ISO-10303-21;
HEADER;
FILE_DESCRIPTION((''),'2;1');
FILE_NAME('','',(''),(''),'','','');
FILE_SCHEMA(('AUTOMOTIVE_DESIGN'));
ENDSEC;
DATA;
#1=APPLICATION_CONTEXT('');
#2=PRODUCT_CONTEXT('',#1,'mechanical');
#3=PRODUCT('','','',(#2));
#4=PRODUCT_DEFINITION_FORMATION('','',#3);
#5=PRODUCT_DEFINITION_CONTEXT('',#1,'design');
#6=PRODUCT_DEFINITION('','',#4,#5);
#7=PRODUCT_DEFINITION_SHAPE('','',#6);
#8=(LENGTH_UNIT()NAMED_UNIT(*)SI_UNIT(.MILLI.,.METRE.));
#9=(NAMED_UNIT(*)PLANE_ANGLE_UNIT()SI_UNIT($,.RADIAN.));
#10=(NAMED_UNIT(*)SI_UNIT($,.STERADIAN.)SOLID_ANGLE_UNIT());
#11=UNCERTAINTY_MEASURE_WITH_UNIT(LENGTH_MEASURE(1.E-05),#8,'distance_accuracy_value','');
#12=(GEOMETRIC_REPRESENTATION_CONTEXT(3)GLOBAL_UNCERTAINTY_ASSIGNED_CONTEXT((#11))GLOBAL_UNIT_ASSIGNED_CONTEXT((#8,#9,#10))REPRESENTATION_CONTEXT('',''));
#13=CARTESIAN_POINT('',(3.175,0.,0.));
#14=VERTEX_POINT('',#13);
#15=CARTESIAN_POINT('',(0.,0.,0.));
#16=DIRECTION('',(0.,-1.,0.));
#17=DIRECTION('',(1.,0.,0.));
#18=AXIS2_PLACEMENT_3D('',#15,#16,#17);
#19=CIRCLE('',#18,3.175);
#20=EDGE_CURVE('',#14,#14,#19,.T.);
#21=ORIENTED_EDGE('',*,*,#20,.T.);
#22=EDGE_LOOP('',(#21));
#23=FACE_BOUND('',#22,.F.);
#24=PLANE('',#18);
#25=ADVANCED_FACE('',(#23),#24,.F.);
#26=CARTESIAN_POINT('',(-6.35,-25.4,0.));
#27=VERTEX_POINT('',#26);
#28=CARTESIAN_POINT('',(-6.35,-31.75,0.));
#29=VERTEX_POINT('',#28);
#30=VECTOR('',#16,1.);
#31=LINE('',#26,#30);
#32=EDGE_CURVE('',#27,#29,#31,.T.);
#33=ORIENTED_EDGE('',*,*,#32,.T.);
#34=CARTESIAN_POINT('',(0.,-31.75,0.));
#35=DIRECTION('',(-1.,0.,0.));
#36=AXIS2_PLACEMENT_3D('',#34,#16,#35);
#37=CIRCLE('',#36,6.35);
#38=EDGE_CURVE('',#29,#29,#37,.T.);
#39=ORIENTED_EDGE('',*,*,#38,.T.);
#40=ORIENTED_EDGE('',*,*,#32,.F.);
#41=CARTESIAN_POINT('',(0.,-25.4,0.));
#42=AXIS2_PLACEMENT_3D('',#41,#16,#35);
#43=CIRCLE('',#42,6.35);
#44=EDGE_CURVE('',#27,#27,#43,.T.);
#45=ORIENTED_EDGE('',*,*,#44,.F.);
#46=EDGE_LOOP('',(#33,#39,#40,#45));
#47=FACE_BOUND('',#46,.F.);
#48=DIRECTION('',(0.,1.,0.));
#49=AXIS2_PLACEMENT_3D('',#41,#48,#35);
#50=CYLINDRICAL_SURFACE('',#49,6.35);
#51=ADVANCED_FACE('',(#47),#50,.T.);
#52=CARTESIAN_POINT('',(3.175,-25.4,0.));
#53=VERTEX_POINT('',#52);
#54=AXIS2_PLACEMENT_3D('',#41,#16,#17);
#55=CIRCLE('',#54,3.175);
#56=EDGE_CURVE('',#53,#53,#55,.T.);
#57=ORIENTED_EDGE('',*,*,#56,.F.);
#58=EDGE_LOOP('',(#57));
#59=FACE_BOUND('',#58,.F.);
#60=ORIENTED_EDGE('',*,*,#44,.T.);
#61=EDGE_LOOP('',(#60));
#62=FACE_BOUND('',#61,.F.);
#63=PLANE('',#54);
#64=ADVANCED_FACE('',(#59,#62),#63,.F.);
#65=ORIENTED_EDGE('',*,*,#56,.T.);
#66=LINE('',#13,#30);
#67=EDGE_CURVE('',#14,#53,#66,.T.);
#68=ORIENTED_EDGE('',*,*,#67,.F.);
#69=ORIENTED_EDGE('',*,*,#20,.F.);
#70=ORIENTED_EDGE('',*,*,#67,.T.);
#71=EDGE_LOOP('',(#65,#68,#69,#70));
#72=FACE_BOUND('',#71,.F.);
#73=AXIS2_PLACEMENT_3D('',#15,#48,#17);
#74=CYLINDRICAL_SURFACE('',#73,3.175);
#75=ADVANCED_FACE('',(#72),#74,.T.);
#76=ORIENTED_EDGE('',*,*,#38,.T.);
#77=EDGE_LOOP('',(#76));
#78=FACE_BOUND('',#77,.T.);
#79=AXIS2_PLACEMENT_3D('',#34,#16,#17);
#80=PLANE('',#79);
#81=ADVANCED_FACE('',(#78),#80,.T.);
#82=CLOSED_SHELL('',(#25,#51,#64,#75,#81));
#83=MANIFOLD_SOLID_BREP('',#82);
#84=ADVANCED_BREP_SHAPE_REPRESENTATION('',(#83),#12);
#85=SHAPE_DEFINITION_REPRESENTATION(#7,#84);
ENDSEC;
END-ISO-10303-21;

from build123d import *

# Parameters (mm, degrees)
F1_DEPTH = 25.4
F3_DEPTH = 6.35


with BuildPart() as f1:
    # F0 (on Front) → F1 (new body)
    with BuildSketch(Plane.XZ):
        with BuildLine():
            ThreePointArc((-3.175, 0), (0, -3.175), (3.175, 0))
            ThreePointArc((3.175, 0), (0, 3.175), (-3.175, 0))
        make_face()
    extrude(amount=F1_DEPTH)

    # F2 (on face) → F3 (join)
    with BuildSketch(Plane.XZ.offset(25.4)):
        with BuildLine():
            ThreePointArc((6.35, 0), (0, 6.35), (-6.35, 0))
            ThreePointArc((-6.35, 0), (0, -6.35), (6.35, 0))
        make_face()
        with BuildLine():
            ThreePointArc((3.175, 0), (0, -3.175), (-3.175, 0))
            ThreePointArc((-3.175, 0), (0, 3.175), (3.175, 0))
        make_face(mode=Mode.SUBTRACT)
        with BuildLine():
            ThreePointArc((3.175, 0), (0, 3.175), (-3.175, 0))
            ThreePointArc((-3.175, 0), (0, -3.175), (3.175, 0))
        make_face()
    extrude(amount=F3_DEPTH)


solid = f1.part
